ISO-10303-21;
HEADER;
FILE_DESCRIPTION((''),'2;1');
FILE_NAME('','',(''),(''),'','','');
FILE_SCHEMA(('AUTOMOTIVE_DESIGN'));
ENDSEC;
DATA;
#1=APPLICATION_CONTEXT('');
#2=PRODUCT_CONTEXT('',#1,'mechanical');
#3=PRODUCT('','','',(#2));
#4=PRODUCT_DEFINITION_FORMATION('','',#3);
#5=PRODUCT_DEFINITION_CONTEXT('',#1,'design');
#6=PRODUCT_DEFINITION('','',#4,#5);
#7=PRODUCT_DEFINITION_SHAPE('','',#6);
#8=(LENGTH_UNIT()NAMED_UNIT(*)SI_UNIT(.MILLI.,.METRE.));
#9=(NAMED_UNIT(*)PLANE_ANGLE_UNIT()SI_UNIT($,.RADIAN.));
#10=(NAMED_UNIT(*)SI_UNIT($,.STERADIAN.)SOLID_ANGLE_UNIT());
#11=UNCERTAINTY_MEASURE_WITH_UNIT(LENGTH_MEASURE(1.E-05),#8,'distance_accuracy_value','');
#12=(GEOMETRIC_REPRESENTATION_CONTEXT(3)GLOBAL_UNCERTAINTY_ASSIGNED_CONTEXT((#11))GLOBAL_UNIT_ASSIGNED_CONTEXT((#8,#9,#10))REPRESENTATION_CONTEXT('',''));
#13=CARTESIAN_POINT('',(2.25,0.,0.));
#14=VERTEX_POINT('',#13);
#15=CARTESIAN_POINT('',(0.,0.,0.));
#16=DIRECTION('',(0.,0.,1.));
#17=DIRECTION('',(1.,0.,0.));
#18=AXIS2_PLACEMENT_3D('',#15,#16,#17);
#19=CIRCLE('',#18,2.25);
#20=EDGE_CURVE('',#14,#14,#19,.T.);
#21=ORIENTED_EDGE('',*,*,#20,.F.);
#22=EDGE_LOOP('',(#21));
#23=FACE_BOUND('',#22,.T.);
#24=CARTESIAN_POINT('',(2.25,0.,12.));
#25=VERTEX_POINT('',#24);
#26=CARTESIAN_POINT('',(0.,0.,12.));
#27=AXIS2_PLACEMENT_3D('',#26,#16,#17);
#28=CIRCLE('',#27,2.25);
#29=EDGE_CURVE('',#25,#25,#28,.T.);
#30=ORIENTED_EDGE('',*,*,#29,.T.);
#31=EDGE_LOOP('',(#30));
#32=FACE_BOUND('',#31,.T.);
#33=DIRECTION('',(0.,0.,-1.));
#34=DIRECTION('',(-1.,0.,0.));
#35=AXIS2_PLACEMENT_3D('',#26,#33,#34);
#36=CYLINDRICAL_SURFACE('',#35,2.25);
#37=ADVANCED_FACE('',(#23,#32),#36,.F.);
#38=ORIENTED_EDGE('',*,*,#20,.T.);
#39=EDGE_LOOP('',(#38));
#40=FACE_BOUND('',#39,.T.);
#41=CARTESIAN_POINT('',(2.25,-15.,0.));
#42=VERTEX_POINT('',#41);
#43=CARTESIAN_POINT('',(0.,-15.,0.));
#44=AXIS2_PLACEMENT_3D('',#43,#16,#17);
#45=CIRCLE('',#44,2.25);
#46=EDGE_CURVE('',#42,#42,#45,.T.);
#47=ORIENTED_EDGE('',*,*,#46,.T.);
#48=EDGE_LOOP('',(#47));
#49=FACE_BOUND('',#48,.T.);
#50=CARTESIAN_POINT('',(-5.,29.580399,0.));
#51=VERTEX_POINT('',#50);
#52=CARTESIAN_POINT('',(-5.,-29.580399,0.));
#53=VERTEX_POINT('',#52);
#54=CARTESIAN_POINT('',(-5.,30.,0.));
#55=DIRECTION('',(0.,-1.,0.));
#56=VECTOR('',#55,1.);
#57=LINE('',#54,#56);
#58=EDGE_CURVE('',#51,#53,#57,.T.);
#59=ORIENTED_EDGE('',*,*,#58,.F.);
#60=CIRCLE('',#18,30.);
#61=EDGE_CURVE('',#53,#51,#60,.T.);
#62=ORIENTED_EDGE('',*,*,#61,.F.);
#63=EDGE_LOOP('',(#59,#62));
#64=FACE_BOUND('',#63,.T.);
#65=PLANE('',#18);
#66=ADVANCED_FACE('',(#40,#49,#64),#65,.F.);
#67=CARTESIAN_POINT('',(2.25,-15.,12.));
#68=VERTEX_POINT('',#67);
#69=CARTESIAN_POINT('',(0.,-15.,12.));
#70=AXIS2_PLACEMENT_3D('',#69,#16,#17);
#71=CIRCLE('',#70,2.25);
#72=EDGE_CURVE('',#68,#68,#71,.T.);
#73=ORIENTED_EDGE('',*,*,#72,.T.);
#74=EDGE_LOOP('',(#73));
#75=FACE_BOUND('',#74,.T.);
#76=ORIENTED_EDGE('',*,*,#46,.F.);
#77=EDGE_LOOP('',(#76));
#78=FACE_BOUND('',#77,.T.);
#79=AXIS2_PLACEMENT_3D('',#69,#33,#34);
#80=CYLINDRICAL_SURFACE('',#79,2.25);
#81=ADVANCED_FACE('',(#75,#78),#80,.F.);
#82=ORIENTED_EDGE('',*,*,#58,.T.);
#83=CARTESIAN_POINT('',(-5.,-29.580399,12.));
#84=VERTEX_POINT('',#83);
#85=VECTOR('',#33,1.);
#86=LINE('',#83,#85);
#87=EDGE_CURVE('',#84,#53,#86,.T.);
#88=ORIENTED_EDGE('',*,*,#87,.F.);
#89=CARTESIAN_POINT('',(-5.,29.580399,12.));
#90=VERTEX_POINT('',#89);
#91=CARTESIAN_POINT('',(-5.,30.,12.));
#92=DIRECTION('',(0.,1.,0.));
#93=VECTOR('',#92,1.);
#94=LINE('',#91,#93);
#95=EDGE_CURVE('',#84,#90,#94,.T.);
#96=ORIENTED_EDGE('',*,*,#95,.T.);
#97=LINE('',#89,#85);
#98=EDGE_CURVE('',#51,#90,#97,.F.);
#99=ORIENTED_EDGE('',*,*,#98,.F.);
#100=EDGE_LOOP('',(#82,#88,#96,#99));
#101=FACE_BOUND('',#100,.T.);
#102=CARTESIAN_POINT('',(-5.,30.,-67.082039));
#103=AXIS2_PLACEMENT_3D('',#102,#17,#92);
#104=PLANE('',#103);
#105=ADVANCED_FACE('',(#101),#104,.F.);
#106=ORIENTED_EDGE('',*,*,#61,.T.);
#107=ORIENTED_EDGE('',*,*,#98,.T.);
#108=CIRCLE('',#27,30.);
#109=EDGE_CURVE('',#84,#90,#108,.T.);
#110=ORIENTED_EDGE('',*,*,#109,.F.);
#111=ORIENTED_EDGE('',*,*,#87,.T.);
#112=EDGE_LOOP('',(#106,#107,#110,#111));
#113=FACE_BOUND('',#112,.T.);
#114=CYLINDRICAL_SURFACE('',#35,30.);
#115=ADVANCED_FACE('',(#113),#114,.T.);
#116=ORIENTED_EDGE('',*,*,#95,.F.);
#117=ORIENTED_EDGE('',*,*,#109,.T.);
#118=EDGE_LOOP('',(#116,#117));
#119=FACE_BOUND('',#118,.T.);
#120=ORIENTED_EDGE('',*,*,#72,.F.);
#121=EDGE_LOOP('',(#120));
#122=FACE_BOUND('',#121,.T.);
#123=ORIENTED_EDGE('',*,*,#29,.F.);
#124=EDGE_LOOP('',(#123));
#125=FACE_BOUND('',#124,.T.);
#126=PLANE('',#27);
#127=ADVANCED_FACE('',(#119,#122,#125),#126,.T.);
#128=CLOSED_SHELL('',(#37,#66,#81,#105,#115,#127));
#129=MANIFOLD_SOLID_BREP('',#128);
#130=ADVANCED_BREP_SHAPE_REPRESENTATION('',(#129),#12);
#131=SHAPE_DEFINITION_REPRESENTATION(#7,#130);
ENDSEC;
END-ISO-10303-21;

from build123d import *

# Parameters (mm, degrees)
SKETCH1_R           = 30
SKETCH1_R_2         = 2.25
BOSS_EXTRUDE1_DEPTH = 12
SKETCH2_W           = 30
SKETCH2_H           = 60
CUT_EXTRUDE1_DEPTH  = 12


with BuildPart() as part:
    # Sketch1 → Boss-Extrude1 (new body)
    with BuildSketch(Plane.XY):
        Circle(SKETCH1_R)
        Circle(SKETCH1_R_2, mode=Mode.SUBTRACT)
        with Locations((0, -15)):
            Circle(SKETCH1_R_2, mode=Mode.SUBTRACT)
    extrude(amount=BOSS_EXTRUDE1_DEPTH)

    # Sketch2 → Cut-Extrude1 (cut)
    with BuildSketch(Plane.XY.offset(12)):
        with Locations((-20, 0)):
            Rectangle(SKETCH2_W, SKETCH2_H)
    extrude(amount=-CUT_EXTRUDE1_DEPTH, mode=Mode.SUBTRACT)


solid = part.part
